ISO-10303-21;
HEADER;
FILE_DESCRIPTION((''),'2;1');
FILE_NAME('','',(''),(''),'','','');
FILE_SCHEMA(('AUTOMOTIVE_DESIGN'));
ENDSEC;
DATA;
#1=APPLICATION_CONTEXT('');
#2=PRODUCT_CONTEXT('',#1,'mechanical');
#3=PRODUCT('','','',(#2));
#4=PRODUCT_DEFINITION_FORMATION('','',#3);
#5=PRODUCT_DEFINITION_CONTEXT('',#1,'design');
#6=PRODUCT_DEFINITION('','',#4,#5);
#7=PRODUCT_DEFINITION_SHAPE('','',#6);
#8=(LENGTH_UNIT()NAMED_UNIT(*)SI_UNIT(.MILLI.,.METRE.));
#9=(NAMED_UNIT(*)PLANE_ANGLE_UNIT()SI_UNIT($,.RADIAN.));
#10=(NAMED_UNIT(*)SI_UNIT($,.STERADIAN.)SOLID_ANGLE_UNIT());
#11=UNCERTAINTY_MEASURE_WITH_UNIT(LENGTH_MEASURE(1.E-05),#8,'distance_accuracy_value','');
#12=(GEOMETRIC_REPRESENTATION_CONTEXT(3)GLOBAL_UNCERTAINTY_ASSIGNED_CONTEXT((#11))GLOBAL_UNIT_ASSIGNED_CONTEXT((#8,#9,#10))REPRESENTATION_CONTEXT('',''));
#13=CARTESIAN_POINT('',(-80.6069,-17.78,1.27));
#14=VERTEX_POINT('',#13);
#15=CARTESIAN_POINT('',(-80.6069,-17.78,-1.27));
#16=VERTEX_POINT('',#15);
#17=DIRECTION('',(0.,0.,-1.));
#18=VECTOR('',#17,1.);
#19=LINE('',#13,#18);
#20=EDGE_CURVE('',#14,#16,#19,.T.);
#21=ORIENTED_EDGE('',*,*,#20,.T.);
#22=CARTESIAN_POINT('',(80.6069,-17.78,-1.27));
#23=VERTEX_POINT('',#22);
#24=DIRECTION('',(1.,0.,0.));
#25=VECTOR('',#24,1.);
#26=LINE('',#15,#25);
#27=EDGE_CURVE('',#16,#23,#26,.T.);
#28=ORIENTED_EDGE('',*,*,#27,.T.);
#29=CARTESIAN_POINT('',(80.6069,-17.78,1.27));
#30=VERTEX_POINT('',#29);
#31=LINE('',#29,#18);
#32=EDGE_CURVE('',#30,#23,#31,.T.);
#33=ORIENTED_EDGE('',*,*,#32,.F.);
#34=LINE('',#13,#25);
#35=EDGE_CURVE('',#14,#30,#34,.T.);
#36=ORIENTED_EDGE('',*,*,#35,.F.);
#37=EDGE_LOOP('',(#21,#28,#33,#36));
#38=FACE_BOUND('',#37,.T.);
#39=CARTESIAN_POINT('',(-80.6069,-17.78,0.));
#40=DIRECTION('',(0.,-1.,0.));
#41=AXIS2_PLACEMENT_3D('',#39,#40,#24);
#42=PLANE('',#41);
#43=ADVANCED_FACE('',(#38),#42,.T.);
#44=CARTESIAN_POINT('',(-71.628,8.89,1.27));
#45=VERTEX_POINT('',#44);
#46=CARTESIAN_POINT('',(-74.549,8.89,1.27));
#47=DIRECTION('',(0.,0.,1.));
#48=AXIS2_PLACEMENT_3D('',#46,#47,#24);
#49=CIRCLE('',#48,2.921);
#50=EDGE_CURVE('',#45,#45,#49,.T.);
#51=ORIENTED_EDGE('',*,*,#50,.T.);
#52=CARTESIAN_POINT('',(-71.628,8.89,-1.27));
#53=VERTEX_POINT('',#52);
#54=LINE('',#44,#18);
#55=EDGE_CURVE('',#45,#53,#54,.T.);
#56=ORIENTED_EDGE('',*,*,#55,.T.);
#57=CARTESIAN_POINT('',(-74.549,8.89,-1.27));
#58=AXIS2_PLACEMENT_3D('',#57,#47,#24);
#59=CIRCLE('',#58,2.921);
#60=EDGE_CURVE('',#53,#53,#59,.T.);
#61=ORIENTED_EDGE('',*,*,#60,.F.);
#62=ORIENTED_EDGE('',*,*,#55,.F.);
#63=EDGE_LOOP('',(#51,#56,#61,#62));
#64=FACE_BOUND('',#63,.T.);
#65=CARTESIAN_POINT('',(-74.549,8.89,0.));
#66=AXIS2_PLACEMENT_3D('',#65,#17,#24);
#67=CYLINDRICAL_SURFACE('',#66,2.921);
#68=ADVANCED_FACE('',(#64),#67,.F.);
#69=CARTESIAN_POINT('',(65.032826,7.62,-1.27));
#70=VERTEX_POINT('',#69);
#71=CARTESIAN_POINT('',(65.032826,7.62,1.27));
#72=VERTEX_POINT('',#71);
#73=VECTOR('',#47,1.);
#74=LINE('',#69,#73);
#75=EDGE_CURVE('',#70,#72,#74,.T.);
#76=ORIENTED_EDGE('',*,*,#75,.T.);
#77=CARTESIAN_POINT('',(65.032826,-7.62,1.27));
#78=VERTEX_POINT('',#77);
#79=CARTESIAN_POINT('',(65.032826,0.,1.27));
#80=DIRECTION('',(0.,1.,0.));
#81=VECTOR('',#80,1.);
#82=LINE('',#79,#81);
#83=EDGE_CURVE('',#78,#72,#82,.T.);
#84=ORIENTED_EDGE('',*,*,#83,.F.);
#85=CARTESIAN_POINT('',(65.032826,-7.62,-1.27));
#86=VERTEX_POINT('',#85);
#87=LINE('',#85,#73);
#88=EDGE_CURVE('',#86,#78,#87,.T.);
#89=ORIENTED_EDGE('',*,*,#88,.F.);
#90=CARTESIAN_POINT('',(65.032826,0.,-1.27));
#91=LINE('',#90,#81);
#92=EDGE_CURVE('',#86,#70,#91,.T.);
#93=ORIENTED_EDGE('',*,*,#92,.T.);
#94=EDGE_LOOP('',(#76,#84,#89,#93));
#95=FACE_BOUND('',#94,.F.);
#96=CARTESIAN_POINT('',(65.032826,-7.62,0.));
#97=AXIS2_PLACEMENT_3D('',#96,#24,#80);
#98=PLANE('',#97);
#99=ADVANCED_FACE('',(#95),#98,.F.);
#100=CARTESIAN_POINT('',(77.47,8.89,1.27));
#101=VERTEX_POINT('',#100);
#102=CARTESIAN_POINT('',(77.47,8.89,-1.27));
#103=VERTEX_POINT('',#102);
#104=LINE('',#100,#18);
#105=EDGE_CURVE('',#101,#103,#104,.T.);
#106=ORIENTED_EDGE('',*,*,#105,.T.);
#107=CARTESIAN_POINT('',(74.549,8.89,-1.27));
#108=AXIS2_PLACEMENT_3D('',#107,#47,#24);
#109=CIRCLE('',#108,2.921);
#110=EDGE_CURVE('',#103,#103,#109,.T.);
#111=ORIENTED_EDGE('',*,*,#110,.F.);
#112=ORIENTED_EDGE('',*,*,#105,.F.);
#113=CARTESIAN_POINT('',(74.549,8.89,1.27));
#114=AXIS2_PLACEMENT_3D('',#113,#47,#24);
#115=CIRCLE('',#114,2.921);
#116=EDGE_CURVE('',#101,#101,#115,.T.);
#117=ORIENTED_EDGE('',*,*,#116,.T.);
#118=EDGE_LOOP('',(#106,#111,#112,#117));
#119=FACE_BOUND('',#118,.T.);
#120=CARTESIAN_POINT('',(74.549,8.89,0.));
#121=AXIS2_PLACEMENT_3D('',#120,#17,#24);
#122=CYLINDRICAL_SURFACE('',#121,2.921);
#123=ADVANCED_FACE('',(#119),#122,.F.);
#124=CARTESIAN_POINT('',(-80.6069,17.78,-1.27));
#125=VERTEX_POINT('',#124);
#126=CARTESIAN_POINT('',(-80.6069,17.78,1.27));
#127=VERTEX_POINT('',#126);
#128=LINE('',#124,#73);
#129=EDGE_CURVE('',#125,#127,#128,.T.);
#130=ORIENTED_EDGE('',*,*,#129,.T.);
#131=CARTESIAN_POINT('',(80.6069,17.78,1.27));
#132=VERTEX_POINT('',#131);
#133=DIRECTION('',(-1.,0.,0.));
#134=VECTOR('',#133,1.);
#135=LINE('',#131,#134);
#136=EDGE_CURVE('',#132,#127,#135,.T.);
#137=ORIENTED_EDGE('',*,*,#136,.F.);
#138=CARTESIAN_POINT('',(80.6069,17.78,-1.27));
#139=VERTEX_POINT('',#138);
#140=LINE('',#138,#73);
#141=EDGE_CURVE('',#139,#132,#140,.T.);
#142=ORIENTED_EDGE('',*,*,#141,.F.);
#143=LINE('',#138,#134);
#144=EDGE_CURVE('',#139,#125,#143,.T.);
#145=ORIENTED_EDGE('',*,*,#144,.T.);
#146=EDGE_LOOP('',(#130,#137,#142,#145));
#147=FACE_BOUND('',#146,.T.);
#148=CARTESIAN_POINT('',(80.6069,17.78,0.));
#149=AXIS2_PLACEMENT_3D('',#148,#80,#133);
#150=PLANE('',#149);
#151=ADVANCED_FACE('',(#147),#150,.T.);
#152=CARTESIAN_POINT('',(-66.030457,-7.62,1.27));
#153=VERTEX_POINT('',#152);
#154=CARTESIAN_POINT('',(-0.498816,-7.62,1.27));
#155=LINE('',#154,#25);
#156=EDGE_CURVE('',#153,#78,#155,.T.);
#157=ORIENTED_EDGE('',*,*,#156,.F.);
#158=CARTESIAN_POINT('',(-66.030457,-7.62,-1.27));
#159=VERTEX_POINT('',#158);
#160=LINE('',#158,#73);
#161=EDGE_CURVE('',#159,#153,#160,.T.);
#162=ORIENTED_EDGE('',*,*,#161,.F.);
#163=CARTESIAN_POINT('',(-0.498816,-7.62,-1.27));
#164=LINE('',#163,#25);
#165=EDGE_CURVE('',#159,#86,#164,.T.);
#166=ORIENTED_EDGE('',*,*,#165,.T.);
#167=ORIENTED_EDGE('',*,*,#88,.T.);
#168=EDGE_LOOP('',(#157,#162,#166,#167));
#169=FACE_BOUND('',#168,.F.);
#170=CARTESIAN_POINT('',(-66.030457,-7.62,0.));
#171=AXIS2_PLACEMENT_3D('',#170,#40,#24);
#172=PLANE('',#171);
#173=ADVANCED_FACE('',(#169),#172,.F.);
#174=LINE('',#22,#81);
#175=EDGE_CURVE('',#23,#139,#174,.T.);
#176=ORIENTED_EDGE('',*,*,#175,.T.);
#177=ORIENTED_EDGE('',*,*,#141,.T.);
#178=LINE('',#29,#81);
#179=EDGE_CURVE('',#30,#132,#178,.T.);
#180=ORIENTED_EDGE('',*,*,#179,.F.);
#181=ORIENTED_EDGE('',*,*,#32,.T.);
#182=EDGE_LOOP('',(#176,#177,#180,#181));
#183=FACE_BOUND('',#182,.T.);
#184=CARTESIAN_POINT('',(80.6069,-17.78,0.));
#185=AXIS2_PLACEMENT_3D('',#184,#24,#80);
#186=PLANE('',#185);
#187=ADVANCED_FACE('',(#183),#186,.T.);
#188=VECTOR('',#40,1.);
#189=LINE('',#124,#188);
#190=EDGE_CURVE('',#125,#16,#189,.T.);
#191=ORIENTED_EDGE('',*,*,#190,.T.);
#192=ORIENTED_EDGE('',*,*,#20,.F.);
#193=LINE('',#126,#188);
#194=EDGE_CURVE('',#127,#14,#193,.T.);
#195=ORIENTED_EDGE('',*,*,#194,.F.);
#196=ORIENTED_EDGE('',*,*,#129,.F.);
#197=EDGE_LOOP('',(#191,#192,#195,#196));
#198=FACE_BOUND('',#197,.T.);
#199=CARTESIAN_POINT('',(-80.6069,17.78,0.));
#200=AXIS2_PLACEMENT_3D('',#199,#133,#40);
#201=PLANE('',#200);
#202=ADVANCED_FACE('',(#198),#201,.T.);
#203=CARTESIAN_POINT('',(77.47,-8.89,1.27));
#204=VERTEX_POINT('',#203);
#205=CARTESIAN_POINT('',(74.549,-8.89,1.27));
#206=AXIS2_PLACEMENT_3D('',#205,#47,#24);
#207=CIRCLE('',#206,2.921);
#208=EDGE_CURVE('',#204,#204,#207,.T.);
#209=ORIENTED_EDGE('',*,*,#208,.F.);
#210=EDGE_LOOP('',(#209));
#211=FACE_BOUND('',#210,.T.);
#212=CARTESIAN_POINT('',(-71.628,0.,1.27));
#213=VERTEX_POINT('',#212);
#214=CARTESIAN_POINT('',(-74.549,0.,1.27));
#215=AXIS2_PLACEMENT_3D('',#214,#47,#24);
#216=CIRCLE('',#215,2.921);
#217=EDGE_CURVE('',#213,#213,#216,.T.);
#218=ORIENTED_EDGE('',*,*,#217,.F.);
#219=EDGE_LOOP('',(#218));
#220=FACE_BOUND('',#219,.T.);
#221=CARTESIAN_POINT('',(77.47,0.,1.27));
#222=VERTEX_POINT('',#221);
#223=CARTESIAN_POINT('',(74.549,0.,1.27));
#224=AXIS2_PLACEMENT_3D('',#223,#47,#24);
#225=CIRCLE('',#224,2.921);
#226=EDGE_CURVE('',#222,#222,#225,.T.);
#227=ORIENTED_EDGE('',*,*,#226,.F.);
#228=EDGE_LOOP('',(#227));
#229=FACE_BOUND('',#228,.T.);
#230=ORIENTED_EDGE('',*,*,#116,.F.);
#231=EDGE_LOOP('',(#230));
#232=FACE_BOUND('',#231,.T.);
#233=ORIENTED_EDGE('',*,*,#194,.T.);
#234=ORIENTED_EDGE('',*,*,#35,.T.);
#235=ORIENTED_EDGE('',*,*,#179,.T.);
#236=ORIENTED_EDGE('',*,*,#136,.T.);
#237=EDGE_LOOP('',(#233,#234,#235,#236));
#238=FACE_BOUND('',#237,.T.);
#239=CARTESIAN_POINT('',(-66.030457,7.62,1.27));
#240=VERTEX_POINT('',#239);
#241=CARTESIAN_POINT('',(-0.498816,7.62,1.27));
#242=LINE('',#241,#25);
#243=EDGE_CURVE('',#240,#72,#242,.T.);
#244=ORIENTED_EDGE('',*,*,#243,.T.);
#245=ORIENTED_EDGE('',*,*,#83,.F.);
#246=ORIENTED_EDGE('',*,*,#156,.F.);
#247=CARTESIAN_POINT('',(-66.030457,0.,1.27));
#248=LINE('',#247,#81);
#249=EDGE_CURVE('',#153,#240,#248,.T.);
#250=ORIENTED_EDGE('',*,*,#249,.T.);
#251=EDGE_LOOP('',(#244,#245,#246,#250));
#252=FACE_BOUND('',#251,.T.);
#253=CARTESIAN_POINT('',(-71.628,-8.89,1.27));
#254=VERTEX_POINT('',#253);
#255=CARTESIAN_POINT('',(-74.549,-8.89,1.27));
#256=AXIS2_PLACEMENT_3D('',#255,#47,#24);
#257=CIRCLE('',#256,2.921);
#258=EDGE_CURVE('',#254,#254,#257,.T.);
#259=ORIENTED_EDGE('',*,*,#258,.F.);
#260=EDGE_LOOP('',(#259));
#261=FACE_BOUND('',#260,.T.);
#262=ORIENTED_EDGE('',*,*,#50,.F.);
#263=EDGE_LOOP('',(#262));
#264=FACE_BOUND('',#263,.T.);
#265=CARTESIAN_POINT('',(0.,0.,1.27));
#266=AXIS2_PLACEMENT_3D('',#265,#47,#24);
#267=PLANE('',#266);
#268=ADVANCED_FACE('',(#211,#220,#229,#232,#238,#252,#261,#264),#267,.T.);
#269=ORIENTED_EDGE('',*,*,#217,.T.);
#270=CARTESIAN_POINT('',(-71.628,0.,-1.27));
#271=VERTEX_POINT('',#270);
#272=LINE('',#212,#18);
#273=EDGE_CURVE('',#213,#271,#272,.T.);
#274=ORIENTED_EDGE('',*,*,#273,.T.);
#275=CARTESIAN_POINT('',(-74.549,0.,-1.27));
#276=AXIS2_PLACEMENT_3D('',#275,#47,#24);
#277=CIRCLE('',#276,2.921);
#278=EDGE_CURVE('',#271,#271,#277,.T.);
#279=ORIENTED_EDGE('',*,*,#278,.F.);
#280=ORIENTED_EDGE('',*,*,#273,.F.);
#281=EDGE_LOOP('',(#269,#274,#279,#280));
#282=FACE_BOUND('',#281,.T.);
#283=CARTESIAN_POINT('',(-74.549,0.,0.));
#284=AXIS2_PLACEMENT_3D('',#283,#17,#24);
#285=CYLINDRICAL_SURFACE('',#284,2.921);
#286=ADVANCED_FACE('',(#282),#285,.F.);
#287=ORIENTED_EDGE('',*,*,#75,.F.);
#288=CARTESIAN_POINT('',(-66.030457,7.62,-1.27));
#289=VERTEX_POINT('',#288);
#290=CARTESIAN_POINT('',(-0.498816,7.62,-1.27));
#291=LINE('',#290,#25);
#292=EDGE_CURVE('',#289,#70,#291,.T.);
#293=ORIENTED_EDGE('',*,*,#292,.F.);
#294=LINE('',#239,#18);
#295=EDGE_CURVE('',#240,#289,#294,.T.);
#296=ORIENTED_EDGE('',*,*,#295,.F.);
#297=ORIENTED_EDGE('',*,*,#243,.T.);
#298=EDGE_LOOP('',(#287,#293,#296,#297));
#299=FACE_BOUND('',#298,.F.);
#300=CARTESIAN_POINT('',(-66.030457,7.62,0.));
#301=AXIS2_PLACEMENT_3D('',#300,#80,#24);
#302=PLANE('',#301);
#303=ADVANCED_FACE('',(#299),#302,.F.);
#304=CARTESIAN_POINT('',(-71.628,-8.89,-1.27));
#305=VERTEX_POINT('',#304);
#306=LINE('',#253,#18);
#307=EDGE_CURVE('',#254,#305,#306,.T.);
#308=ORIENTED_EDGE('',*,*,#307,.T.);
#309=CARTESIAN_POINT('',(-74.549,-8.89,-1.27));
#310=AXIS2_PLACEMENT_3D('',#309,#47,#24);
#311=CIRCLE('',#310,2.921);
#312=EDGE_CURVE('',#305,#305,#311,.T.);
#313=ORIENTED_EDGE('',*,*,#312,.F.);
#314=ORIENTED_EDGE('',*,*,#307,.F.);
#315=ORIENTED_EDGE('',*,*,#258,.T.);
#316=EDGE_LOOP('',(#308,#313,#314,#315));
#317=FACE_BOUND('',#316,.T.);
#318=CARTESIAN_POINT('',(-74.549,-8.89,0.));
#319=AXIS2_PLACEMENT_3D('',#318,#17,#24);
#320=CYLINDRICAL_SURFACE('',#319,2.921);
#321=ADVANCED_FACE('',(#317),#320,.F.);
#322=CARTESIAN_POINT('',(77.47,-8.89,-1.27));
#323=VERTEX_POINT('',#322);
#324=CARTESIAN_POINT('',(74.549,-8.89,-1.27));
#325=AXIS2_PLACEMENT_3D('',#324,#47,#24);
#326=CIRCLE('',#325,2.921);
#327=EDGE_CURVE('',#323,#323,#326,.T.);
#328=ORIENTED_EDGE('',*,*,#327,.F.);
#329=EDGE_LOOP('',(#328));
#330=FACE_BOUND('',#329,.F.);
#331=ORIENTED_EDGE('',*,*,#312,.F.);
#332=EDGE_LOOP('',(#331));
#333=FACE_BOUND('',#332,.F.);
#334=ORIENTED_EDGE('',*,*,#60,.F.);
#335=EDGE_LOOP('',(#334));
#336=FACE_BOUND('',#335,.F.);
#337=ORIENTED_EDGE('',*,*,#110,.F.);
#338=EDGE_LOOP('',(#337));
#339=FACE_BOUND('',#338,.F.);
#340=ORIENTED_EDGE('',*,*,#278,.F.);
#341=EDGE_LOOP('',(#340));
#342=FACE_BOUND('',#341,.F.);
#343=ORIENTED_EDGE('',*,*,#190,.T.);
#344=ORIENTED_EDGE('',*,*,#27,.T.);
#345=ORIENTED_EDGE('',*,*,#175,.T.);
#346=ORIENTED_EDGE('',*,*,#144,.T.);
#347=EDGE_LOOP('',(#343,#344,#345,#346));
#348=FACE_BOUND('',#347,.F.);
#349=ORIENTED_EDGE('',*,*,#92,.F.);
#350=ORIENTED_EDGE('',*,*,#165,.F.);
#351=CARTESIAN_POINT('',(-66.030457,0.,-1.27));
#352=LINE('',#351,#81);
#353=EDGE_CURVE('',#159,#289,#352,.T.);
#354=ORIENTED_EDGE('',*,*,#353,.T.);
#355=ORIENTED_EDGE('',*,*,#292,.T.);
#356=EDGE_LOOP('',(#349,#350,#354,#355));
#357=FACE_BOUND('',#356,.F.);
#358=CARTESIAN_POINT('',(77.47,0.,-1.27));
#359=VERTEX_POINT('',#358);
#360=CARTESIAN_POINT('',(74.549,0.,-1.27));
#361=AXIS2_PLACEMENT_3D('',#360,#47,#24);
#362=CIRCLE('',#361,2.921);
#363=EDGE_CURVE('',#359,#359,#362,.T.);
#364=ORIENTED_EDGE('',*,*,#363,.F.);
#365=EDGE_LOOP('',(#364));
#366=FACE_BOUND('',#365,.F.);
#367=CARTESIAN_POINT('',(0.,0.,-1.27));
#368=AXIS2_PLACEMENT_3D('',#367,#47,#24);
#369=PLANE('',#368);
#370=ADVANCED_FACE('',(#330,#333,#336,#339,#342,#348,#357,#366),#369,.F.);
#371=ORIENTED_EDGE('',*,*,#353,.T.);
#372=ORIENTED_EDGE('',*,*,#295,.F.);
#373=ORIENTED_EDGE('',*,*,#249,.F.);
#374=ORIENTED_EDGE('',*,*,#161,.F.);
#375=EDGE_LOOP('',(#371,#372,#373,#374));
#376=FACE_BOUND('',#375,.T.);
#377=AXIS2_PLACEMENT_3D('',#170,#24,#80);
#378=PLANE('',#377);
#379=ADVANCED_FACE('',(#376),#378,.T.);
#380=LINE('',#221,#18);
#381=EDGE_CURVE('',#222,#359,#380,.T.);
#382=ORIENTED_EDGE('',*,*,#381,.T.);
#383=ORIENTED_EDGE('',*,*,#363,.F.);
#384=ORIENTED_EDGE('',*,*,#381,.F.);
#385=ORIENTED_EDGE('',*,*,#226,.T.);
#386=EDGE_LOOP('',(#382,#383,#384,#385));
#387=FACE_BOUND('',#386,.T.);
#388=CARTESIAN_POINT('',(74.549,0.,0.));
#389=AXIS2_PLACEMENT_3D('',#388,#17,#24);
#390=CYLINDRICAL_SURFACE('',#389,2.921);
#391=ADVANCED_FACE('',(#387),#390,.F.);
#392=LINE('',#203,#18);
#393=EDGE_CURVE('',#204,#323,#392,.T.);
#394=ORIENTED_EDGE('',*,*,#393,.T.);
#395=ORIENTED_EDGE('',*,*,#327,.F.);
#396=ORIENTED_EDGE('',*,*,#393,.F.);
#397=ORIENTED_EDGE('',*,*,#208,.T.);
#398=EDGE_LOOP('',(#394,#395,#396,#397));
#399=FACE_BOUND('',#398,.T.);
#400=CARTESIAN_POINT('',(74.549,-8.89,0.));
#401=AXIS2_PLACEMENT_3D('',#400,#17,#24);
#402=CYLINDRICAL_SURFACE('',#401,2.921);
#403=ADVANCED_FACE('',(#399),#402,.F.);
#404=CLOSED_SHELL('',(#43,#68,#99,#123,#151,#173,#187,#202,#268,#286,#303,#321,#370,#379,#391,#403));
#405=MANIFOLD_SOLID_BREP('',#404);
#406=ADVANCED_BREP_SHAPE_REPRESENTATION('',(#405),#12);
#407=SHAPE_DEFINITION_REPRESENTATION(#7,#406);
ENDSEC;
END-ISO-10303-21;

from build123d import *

# Parameters (mm, degrees)
F0_R     = 2.921
F0_W     = 131.063283
F0_H     = 15.24
F1_DEPTH = 1.27


with BuildPart() as f1:
    # F0 (on Top) → F1 (new body, symmetric)
    with BuildSketch(Plane.XY):
        Polygon((80.6069, -17.78), (80.6069, 17.78), (68.4911, 17.78), (-68.4911, 17.78), (-80.6069, 17.78), (-80.6069, -17.78), (-68.4911, -17.78), (68.4911, -17.78), align=None)
        with Locations((-74.549, -8.89)):
            Circle(F0_R, mode=Mode.SUBTRACT)
        with Locations((-74.549, 0)):
            Circle(F0_R, mode=Mode.SUBTRACT)
        with Locations((-0.498816, 0)):
            Rectangle(F0_W, F0_H, mode=Mode.SUBTRACT)
        with Locations((74.549, -8.89)):
            Circle(F0_R, mode=Mode.SUBTRACT)
        with Locations((74.549, 0)):
            Circle(F0_R, mode=Mode.SUBTRACT)
        with Locations((-74.549, 8.89)):
            Circle(F0_R, mode=Mode.SUBTRACT)
        with Locations((74.549, 8.89)):
            Circle(F0_R, mode=Mode.SUBTRACT)
    extrude(amount=F1_DEPTH, both=True)


solid = f1.part
